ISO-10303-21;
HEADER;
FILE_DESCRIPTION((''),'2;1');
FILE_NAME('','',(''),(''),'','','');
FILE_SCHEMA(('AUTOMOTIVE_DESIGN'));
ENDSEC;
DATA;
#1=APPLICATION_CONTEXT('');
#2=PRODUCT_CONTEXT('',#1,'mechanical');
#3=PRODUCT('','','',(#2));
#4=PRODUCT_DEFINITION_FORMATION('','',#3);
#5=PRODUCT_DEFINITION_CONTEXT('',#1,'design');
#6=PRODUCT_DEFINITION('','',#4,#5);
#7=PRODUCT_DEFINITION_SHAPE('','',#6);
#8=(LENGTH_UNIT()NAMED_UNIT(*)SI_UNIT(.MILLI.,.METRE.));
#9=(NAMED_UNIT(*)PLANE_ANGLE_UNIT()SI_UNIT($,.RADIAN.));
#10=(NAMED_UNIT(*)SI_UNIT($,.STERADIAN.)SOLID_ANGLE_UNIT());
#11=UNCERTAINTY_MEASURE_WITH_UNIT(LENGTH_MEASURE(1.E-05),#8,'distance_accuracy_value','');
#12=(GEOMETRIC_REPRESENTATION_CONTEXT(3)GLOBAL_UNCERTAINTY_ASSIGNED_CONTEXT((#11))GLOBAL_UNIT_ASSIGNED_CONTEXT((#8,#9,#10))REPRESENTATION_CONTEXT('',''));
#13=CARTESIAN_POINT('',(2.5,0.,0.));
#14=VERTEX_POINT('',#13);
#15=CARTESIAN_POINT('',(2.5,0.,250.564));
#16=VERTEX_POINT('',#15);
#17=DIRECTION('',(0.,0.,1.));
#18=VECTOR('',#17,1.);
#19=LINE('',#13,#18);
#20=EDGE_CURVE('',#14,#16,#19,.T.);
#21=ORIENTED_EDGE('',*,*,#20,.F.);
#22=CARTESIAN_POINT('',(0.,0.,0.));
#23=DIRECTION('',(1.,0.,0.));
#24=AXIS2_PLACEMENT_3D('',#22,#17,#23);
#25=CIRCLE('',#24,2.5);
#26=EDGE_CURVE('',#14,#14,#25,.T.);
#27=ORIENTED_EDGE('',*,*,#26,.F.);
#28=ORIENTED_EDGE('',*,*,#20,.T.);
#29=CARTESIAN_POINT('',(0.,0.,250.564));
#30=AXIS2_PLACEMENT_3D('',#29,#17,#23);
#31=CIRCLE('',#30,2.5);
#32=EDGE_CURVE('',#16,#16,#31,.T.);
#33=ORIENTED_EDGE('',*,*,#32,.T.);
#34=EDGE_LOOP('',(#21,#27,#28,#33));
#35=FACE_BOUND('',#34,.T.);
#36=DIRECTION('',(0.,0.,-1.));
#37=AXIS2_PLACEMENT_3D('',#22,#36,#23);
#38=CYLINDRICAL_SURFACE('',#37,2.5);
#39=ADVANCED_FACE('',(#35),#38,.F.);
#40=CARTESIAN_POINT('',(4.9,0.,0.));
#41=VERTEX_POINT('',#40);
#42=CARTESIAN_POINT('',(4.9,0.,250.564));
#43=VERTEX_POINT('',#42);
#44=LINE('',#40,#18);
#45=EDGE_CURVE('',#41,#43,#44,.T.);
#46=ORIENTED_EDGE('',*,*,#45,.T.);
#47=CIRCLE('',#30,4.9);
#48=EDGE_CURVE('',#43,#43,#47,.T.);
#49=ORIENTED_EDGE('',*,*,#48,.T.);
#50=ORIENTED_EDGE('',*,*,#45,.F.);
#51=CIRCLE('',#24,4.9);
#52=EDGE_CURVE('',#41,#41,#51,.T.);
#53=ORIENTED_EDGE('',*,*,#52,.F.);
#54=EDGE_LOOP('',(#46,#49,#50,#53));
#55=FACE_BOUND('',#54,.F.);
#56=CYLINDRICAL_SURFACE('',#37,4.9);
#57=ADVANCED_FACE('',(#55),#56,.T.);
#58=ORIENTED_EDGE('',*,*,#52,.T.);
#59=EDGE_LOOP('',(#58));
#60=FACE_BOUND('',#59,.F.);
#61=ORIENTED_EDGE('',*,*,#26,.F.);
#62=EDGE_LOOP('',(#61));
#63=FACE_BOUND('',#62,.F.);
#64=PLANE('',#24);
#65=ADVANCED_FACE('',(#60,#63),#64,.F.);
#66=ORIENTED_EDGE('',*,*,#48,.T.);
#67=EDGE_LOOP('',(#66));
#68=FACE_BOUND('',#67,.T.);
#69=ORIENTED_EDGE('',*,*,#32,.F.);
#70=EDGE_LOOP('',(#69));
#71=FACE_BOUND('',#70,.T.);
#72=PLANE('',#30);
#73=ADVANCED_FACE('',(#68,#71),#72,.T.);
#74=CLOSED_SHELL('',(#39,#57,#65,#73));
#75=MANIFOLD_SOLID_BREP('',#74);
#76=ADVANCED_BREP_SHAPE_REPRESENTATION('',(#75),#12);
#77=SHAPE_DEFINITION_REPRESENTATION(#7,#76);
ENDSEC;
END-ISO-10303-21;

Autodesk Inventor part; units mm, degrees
ref_plane "YZ Plane" through (0, 0, 0) normal (1, 0, 0) x (0, 1, 0)
sketch "Sketch1" plane through (0, 0, 0) normal (0, 0, 1) x (1, 0, 0)
  circle A0 centre (0, 0) radius 2.5 projected
  circle A1 centre (0, 0) radius 4.9
  point P0 (0, 0)
  dimension "d0" = 9.8
ref_plane "Work Plane1" through (-33.85, -16.15, 180) normal (0, 0, -1) x (0, 1, 0)
ref_plane "Work Plane2" through (-82.2943, -131.6776, 250.564) normal (0, 0, -1) x (0, 1, 0)
extrude "Extrusion1" add sketch "Sketch1" along normal up to surface (250.564 mm away)
thread "Thread1" size "M10x1.5" class "6g" standard "ANSI Metric M Profile" full length
properties part number "RodMK3" material "Stainless Steel"
